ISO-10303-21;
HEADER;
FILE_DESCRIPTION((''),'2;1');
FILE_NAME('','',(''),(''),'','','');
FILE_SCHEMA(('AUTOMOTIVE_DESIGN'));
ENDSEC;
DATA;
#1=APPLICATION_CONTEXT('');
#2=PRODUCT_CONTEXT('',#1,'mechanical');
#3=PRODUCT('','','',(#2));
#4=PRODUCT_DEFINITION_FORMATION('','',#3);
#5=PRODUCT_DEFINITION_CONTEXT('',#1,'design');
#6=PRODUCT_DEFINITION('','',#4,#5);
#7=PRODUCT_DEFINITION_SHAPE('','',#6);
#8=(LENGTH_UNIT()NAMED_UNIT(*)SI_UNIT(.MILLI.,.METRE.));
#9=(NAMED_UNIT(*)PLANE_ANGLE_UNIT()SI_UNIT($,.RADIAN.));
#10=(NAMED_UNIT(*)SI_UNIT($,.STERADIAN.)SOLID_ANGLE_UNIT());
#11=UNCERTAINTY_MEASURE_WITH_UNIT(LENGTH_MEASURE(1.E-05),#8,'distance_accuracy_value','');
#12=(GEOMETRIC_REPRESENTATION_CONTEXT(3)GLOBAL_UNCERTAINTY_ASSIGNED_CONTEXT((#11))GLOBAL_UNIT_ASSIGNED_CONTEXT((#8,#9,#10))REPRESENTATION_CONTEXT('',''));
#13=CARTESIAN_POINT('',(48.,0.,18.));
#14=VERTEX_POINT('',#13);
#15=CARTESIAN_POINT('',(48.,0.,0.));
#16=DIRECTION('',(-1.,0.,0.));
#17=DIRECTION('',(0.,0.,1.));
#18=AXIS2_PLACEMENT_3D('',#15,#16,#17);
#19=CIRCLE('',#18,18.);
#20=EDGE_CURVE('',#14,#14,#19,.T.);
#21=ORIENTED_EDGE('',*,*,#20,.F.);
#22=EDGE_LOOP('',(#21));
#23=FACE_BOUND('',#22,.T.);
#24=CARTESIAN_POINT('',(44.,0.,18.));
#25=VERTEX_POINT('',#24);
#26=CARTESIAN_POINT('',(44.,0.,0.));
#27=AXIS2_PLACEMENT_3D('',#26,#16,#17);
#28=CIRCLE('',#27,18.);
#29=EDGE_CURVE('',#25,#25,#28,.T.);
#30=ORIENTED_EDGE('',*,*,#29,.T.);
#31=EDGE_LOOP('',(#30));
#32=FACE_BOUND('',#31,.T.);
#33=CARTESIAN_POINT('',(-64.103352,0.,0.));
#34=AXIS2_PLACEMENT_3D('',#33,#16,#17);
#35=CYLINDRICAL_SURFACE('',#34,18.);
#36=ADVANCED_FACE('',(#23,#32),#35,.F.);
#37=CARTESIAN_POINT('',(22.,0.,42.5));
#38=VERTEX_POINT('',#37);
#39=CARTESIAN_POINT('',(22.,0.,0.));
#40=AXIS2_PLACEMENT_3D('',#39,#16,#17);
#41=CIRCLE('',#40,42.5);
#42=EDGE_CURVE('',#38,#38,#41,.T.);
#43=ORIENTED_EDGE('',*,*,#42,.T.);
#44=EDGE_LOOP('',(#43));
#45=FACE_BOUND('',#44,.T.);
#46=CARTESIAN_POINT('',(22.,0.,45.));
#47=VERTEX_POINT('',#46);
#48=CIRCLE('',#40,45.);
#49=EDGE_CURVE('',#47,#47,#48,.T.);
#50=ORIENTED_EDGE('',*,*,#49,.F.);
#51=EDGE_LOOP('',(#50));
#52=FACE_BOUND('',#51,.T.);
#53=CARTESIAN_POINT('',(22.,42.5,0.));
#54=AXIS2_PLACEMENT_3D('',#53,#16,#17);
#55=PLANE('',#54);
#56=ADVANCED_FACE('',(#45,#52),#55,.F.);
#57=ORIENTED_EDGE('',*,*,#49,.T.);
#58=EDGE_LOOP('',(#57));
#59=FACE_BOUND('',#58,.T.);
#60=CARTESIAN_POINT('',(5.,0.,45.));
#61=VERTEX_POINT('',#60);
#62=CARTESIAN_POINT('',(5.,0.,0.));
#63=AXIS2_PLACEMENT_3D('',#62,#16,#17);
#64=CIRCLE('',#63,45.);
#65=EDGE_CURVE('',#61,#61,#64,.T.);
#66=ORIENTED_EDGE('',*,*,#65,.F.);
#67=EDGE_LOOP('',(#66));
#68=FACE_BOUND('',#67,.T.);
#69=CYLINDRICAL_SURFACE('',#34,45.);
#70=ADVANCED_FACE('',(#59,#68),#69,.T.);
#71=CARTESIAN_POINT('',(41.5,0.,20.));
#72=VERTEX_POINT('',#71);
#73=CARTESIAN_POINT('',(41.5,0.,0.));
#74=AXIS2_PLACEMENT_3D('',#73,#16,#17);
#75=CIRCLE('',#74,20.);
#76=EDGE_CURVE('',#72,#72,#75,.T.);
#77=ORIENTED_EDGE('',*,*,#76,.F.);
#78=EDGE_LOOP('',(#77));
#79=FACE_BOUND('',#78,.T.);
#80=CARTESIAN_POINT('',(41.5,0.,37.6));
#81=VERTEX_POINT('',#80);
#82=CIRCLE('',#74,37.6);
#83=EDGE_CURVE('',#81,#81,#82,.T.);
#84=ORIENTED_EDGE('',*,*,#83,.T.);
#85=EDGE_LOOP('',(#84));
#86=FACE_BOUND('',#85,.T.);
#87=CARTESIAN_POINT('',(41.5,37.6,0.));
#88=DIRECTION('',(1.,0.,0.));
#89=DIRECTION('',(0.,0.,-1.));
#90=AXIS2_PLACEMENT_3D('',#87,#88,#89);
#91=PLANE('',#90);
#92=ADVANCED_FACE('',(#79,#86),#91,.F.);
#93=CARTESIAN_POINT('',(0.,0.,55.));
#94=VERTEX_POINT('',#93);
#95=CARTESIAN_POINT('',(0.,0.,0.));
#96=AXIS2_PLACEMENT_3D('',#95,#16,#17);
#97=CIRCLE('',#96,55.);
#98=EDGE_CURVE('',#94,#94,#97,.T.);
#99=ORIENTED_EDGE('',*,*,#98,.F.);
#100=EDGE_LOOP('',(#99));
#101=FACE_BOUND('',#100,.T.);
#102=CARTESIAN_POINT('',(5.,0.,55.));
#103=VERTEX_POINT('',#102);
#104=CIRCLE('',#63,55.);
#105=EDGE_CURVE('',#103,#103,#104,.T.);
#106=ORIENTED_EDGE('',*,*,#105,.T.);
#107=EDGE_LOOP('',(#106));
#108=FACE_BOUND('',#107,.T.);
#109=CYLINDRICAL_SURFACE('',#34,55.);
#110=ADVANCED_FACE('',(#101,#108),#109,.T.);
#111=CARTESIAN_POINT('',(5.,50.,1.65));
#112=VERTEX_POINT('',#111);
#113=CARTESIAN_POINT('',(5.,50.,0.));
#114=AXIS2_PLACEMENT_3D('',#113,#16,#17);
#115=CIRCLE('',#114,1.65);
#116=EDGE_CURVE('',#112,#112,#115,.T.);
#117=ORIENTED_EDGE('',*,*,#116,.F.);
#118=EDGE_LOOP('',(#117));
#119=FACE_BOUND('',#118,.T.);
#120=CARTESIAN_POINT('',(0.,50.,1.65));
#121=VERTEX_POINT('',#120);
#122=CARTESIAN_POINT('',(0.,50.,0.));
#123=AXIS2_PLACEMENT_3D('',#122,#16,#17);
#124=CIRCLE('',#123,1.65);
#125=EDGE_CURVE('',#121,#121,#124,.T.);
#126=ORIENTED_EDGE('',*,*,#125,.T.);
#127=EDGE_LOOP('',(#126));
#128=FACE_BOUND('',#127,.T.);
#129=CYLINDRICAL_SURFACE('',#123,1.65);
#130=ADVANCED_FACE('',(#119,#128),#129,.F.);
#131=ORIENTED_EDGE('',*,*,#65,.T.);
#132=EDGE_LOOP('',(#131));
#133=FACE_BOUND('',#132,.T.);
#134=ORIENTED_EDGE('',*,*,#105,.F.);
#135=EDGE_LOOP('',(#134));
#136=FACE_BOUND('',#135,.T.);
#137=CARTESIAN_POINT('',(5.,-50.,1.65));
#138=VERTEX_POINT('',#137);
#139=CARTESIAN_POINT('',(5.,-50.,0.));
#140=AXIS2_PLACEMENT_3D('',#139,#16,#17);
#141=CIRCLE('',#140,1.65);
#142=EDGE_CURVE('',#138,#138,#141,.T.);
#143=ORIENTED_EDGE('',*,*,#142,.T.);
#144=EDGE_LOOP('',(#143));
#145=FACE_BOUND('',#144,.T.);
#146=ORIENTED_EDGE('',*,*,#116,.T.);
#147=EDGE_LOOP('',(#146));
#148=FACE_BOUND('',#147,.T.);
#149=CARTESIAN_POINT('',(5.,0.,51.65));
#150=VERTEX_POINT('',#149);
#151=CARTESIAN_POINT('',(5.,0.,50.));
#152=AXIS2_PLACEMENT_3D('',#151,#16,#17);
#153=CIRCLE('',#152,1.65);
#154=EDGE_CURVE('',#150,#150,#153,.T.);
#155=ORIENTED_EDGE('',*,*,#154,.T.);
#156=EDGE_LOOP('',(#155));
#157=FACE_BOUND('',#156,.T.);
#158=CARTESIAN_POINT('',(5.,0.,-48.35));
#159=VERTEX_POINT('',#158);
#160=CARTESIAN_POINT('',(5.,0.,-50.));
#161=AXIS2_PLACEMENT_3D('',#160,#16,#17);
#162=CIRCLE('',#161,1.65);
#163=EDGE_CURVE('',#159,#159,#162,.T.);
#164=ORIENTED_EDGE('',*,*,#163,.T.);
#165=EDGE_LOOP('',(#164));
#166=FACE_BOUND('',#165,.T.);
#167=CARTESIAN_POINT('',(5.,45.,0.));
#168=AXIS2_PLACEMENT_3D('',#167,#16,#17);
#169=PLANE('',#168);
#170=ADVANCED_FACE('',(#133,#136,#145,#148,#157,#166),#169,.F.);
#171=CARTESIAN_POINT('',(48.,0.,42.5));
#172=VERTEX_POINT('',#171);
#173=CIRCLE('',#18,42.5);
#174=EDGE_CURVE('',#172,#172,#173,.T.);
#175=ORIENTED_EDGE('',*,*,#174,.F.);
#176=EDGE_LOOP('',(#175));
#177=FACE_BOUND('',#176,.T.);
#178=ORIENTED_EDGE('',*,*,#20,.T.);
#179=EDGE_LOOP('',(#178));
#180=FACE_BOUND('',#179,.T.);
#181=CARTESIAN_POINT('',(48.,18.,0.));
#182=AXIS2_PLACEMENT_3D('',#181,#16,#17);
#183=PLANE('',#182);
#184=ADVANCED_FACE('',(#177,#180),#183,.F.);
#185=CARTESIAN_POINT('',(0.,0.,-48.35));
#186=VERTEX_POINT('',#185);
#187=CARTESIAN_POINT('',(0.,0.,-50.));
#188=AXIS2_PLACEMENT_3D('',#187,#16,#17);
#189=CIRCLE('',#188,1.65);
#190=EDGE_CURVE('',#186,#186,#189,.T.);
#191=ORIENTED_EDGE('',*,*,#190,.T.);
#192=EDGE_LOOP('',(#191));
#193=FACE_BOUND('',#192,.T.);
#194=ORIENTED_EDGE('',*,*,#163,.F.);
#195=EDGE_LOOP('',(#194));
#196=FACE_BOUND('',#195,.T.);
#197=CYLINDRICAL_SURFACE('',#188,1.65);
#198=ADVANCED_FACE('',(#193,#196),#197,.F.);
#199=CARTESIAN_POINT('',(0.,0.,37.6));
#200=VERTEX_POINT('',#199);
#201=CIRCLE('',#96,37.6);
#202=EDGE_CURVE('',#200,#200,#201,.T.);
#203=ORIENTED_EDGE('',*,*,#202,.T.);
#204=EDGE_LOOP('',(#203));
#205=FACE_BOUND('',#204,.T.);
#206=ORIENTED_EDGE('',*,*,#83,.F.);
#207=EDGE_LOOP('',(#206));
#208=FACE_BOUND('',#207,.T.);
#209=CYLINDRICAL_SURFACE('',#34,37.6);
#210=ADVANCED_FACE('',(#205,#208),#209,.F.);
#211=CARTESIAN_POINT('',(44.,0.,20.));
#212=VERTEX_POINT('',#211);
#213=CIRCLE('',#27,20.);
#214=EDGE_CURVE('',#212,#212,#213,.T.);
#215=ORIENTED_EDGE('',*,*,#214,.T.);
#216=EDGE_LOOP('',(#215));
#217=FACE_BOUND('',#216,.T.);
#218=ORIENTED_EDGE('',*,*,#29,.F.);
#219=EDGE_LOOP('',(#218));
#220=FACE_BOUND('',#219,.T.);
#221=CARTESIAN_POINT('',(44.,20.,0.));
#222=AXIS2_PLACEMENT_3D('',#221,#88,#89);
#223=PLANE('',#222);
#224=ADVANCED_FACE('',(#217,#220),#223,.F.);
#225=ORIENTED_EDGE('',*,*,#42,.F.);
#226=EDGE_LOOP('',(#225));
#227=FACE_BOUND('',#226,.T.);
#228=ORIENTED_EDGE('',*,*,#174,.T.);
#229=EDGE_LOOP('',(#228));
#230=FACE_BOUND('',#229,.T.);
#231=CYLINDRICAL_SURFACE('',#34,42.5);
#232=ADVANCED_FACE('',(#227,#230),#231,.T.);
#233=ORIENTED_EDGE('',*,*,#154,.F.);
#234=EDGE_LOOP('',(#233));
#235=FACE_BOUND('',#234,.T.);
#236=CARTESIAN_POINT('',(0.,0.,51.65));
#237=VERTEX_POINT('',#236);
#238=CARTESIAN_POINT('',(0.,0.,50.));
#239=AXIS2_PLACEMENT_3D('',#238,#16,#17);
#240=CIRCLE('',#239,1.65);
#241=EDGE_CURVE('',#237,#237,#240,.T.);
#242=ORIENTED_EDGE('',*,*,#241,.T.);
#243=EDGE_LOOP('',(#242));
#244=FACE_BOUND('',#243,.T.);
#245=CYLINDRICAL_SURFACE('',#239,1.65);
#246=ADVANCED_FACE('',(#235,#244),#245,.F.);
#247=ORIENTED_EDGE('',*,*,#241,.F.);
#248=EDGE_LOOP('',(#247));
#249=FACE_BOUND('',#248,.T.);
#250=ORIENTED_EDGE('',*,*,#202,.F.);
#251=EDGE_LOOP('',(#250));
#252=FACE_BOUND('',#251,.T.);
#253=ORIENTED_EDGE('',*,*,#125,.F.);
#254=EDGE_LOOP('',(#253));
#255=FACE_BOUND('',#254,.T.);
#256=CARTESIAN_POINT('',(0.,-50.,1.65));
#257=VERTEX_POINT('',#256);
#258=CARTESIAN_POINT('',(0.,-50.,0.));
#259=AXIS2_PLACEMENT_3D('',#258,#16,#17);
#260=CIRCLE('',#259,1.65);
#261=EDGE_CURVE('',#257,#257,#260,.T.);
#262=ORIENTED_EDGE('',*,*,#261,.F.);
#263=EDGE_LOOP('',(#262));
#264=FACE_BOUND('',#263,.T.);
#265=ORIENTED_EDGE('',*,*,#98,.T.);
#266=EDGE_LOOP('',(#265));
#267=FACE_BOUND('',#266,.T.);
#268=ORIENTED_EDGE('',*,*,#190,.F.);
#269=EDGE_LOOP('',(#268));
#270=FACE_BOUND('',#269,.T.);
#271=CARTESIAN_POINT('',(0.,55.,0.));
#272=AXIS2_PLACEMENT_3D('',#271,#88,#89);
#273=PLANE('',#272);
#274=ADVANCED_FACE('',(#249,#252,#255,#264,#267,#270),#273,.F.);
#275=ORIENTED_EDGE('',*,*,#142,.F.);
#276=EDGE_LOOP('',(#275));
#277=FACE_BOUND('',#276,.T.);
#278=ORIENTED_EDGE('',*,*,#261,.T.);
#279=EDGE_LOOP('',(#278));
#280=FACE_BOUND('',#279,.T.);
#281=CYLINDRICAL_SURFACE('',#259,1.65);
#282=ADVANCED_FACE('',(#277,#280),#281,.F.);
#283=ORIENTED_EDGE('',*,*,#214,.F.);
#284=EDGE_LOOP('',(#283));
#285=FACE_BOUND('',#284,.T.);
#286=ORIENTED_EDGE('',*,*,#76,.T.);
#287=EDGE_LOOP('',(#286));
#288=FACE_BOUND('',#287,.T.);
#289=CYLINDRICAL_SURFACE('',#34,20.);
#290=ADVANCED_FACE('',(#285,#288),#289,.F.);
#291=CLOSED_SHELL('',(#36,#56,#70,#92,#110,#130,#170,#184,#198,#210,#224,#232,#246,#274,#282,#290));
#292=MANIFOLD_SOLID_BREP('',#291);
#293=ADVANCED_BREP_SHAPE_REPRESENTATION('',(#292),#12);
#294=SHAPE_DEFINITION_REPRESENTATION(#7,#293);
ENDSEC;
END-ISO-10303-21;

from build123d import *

# Parameters (mm, degrees)
M4X0_7_TAPPED_HOLE1_D = 3.3


with BuildPart() as part:
    # Sketch2 → Revolve1 (revolve)
    with BuildSketch(Plane.XY):
        Polygon((0, 37.6), (41.5, 37.6), (41.5, 20), (44, 20), (44, 18), (48, 18), (48, 42.5), (22, 42.5), (22, 45), (5, 45), (5, 55), (0, 55), (0, 45), align=None)
    revolve(axis=Axis((-64.103352454, 0, 0), (1, 0, 0)))

    # M4x0.7 Tapped Hole1 (through all)
    with Locations(Plane.ZY):
        with Locations((0, 50), (50, 0), (0, -50), (-50, 0)):
            Hole(M4X0_7_TAPPED_HOLE1_D / 2)


solid = part.part
